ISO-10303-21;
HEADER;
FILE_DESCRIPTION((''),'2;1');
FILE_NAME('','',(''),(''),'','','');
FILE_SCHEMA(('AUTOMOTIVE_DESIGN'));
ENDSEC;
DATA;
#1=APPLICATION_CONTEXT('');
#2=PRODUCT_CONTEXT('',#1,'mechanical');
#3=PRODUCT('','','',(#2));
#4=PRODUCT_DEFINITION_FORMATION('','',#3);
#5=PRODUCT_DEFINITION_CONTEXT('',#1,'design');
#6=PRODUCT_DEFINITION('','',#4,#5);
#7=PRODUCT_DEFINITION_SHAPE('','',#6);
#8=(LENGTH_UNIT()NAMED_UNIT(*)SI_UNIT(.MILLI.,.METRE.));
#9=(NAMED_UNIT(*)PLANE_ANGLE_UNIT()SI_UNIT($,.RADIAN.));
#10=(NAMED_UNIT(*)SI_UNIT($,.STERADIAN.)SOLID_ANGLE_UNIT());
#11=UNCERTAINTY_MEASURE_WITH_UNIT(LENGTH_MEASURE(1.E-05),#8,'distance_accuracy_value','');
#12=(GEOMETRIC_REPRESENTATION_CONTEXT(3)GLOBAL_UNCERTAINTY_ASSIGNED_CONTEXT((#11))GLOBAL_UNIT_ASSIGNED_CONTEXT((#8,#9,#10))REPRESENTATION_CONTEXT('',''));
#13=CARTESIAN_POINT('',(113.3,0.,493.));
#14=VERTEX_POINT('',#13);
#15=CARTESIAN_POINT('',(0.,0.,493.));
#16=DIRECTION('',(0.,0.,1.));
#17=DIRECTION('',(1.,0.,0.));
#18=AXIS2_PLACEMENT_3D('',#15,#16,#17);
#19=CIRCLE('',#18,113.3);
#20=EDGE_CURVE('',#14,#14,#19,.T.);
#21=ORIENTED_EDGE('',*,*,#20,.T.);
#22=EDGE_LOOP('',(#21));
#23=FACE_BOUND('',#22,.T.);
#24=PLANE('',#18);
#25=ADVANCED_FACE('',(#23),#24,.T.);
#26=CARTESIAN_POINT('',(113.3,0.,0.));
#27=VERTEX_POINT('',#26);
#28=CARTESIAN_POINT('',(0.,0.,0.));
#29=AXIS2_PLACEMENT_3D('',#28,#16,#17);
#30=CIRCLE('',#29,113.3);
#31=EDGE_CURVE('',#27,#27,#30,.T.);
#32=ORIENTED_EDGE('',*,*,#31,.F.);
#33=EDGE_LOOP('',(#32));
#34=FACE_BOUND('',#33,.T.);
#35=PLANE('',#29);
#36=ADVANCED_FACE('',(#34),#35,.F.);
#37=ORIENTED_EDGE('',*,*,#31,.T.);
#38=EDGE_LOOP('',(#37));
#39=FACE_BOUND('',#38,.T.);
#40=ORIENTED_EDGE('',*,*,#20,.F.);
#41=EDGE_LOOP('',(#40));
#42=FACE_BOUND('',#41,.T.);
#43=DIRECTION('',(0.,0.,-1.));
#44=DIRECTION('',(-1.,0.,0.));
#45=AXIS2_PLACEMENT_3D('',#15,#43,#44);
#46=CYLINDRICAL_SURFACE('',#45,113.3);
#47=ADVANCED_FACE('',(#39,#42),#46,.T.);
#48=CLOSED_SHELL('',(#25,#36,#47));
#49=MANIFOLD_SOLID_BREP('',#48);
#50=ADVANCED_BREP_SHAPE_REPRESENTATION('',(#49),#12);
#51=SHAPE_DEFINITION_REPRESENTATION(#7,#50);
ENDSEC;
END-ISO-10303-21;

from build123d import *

# Parameters (mm, degrees)
SKETCH_1_R      = 113.3
EXTRUDE_1_DEPTH = 493


with BuildPart() as part:
    # 草圖1 → 填料-伸長1 (new body)
    with BuildSketch(Plane.XY):
        Circle(SKETCH_1_R)
    extrude(amount=EXTRUDE_1_DEPTH)


solid = part.part
